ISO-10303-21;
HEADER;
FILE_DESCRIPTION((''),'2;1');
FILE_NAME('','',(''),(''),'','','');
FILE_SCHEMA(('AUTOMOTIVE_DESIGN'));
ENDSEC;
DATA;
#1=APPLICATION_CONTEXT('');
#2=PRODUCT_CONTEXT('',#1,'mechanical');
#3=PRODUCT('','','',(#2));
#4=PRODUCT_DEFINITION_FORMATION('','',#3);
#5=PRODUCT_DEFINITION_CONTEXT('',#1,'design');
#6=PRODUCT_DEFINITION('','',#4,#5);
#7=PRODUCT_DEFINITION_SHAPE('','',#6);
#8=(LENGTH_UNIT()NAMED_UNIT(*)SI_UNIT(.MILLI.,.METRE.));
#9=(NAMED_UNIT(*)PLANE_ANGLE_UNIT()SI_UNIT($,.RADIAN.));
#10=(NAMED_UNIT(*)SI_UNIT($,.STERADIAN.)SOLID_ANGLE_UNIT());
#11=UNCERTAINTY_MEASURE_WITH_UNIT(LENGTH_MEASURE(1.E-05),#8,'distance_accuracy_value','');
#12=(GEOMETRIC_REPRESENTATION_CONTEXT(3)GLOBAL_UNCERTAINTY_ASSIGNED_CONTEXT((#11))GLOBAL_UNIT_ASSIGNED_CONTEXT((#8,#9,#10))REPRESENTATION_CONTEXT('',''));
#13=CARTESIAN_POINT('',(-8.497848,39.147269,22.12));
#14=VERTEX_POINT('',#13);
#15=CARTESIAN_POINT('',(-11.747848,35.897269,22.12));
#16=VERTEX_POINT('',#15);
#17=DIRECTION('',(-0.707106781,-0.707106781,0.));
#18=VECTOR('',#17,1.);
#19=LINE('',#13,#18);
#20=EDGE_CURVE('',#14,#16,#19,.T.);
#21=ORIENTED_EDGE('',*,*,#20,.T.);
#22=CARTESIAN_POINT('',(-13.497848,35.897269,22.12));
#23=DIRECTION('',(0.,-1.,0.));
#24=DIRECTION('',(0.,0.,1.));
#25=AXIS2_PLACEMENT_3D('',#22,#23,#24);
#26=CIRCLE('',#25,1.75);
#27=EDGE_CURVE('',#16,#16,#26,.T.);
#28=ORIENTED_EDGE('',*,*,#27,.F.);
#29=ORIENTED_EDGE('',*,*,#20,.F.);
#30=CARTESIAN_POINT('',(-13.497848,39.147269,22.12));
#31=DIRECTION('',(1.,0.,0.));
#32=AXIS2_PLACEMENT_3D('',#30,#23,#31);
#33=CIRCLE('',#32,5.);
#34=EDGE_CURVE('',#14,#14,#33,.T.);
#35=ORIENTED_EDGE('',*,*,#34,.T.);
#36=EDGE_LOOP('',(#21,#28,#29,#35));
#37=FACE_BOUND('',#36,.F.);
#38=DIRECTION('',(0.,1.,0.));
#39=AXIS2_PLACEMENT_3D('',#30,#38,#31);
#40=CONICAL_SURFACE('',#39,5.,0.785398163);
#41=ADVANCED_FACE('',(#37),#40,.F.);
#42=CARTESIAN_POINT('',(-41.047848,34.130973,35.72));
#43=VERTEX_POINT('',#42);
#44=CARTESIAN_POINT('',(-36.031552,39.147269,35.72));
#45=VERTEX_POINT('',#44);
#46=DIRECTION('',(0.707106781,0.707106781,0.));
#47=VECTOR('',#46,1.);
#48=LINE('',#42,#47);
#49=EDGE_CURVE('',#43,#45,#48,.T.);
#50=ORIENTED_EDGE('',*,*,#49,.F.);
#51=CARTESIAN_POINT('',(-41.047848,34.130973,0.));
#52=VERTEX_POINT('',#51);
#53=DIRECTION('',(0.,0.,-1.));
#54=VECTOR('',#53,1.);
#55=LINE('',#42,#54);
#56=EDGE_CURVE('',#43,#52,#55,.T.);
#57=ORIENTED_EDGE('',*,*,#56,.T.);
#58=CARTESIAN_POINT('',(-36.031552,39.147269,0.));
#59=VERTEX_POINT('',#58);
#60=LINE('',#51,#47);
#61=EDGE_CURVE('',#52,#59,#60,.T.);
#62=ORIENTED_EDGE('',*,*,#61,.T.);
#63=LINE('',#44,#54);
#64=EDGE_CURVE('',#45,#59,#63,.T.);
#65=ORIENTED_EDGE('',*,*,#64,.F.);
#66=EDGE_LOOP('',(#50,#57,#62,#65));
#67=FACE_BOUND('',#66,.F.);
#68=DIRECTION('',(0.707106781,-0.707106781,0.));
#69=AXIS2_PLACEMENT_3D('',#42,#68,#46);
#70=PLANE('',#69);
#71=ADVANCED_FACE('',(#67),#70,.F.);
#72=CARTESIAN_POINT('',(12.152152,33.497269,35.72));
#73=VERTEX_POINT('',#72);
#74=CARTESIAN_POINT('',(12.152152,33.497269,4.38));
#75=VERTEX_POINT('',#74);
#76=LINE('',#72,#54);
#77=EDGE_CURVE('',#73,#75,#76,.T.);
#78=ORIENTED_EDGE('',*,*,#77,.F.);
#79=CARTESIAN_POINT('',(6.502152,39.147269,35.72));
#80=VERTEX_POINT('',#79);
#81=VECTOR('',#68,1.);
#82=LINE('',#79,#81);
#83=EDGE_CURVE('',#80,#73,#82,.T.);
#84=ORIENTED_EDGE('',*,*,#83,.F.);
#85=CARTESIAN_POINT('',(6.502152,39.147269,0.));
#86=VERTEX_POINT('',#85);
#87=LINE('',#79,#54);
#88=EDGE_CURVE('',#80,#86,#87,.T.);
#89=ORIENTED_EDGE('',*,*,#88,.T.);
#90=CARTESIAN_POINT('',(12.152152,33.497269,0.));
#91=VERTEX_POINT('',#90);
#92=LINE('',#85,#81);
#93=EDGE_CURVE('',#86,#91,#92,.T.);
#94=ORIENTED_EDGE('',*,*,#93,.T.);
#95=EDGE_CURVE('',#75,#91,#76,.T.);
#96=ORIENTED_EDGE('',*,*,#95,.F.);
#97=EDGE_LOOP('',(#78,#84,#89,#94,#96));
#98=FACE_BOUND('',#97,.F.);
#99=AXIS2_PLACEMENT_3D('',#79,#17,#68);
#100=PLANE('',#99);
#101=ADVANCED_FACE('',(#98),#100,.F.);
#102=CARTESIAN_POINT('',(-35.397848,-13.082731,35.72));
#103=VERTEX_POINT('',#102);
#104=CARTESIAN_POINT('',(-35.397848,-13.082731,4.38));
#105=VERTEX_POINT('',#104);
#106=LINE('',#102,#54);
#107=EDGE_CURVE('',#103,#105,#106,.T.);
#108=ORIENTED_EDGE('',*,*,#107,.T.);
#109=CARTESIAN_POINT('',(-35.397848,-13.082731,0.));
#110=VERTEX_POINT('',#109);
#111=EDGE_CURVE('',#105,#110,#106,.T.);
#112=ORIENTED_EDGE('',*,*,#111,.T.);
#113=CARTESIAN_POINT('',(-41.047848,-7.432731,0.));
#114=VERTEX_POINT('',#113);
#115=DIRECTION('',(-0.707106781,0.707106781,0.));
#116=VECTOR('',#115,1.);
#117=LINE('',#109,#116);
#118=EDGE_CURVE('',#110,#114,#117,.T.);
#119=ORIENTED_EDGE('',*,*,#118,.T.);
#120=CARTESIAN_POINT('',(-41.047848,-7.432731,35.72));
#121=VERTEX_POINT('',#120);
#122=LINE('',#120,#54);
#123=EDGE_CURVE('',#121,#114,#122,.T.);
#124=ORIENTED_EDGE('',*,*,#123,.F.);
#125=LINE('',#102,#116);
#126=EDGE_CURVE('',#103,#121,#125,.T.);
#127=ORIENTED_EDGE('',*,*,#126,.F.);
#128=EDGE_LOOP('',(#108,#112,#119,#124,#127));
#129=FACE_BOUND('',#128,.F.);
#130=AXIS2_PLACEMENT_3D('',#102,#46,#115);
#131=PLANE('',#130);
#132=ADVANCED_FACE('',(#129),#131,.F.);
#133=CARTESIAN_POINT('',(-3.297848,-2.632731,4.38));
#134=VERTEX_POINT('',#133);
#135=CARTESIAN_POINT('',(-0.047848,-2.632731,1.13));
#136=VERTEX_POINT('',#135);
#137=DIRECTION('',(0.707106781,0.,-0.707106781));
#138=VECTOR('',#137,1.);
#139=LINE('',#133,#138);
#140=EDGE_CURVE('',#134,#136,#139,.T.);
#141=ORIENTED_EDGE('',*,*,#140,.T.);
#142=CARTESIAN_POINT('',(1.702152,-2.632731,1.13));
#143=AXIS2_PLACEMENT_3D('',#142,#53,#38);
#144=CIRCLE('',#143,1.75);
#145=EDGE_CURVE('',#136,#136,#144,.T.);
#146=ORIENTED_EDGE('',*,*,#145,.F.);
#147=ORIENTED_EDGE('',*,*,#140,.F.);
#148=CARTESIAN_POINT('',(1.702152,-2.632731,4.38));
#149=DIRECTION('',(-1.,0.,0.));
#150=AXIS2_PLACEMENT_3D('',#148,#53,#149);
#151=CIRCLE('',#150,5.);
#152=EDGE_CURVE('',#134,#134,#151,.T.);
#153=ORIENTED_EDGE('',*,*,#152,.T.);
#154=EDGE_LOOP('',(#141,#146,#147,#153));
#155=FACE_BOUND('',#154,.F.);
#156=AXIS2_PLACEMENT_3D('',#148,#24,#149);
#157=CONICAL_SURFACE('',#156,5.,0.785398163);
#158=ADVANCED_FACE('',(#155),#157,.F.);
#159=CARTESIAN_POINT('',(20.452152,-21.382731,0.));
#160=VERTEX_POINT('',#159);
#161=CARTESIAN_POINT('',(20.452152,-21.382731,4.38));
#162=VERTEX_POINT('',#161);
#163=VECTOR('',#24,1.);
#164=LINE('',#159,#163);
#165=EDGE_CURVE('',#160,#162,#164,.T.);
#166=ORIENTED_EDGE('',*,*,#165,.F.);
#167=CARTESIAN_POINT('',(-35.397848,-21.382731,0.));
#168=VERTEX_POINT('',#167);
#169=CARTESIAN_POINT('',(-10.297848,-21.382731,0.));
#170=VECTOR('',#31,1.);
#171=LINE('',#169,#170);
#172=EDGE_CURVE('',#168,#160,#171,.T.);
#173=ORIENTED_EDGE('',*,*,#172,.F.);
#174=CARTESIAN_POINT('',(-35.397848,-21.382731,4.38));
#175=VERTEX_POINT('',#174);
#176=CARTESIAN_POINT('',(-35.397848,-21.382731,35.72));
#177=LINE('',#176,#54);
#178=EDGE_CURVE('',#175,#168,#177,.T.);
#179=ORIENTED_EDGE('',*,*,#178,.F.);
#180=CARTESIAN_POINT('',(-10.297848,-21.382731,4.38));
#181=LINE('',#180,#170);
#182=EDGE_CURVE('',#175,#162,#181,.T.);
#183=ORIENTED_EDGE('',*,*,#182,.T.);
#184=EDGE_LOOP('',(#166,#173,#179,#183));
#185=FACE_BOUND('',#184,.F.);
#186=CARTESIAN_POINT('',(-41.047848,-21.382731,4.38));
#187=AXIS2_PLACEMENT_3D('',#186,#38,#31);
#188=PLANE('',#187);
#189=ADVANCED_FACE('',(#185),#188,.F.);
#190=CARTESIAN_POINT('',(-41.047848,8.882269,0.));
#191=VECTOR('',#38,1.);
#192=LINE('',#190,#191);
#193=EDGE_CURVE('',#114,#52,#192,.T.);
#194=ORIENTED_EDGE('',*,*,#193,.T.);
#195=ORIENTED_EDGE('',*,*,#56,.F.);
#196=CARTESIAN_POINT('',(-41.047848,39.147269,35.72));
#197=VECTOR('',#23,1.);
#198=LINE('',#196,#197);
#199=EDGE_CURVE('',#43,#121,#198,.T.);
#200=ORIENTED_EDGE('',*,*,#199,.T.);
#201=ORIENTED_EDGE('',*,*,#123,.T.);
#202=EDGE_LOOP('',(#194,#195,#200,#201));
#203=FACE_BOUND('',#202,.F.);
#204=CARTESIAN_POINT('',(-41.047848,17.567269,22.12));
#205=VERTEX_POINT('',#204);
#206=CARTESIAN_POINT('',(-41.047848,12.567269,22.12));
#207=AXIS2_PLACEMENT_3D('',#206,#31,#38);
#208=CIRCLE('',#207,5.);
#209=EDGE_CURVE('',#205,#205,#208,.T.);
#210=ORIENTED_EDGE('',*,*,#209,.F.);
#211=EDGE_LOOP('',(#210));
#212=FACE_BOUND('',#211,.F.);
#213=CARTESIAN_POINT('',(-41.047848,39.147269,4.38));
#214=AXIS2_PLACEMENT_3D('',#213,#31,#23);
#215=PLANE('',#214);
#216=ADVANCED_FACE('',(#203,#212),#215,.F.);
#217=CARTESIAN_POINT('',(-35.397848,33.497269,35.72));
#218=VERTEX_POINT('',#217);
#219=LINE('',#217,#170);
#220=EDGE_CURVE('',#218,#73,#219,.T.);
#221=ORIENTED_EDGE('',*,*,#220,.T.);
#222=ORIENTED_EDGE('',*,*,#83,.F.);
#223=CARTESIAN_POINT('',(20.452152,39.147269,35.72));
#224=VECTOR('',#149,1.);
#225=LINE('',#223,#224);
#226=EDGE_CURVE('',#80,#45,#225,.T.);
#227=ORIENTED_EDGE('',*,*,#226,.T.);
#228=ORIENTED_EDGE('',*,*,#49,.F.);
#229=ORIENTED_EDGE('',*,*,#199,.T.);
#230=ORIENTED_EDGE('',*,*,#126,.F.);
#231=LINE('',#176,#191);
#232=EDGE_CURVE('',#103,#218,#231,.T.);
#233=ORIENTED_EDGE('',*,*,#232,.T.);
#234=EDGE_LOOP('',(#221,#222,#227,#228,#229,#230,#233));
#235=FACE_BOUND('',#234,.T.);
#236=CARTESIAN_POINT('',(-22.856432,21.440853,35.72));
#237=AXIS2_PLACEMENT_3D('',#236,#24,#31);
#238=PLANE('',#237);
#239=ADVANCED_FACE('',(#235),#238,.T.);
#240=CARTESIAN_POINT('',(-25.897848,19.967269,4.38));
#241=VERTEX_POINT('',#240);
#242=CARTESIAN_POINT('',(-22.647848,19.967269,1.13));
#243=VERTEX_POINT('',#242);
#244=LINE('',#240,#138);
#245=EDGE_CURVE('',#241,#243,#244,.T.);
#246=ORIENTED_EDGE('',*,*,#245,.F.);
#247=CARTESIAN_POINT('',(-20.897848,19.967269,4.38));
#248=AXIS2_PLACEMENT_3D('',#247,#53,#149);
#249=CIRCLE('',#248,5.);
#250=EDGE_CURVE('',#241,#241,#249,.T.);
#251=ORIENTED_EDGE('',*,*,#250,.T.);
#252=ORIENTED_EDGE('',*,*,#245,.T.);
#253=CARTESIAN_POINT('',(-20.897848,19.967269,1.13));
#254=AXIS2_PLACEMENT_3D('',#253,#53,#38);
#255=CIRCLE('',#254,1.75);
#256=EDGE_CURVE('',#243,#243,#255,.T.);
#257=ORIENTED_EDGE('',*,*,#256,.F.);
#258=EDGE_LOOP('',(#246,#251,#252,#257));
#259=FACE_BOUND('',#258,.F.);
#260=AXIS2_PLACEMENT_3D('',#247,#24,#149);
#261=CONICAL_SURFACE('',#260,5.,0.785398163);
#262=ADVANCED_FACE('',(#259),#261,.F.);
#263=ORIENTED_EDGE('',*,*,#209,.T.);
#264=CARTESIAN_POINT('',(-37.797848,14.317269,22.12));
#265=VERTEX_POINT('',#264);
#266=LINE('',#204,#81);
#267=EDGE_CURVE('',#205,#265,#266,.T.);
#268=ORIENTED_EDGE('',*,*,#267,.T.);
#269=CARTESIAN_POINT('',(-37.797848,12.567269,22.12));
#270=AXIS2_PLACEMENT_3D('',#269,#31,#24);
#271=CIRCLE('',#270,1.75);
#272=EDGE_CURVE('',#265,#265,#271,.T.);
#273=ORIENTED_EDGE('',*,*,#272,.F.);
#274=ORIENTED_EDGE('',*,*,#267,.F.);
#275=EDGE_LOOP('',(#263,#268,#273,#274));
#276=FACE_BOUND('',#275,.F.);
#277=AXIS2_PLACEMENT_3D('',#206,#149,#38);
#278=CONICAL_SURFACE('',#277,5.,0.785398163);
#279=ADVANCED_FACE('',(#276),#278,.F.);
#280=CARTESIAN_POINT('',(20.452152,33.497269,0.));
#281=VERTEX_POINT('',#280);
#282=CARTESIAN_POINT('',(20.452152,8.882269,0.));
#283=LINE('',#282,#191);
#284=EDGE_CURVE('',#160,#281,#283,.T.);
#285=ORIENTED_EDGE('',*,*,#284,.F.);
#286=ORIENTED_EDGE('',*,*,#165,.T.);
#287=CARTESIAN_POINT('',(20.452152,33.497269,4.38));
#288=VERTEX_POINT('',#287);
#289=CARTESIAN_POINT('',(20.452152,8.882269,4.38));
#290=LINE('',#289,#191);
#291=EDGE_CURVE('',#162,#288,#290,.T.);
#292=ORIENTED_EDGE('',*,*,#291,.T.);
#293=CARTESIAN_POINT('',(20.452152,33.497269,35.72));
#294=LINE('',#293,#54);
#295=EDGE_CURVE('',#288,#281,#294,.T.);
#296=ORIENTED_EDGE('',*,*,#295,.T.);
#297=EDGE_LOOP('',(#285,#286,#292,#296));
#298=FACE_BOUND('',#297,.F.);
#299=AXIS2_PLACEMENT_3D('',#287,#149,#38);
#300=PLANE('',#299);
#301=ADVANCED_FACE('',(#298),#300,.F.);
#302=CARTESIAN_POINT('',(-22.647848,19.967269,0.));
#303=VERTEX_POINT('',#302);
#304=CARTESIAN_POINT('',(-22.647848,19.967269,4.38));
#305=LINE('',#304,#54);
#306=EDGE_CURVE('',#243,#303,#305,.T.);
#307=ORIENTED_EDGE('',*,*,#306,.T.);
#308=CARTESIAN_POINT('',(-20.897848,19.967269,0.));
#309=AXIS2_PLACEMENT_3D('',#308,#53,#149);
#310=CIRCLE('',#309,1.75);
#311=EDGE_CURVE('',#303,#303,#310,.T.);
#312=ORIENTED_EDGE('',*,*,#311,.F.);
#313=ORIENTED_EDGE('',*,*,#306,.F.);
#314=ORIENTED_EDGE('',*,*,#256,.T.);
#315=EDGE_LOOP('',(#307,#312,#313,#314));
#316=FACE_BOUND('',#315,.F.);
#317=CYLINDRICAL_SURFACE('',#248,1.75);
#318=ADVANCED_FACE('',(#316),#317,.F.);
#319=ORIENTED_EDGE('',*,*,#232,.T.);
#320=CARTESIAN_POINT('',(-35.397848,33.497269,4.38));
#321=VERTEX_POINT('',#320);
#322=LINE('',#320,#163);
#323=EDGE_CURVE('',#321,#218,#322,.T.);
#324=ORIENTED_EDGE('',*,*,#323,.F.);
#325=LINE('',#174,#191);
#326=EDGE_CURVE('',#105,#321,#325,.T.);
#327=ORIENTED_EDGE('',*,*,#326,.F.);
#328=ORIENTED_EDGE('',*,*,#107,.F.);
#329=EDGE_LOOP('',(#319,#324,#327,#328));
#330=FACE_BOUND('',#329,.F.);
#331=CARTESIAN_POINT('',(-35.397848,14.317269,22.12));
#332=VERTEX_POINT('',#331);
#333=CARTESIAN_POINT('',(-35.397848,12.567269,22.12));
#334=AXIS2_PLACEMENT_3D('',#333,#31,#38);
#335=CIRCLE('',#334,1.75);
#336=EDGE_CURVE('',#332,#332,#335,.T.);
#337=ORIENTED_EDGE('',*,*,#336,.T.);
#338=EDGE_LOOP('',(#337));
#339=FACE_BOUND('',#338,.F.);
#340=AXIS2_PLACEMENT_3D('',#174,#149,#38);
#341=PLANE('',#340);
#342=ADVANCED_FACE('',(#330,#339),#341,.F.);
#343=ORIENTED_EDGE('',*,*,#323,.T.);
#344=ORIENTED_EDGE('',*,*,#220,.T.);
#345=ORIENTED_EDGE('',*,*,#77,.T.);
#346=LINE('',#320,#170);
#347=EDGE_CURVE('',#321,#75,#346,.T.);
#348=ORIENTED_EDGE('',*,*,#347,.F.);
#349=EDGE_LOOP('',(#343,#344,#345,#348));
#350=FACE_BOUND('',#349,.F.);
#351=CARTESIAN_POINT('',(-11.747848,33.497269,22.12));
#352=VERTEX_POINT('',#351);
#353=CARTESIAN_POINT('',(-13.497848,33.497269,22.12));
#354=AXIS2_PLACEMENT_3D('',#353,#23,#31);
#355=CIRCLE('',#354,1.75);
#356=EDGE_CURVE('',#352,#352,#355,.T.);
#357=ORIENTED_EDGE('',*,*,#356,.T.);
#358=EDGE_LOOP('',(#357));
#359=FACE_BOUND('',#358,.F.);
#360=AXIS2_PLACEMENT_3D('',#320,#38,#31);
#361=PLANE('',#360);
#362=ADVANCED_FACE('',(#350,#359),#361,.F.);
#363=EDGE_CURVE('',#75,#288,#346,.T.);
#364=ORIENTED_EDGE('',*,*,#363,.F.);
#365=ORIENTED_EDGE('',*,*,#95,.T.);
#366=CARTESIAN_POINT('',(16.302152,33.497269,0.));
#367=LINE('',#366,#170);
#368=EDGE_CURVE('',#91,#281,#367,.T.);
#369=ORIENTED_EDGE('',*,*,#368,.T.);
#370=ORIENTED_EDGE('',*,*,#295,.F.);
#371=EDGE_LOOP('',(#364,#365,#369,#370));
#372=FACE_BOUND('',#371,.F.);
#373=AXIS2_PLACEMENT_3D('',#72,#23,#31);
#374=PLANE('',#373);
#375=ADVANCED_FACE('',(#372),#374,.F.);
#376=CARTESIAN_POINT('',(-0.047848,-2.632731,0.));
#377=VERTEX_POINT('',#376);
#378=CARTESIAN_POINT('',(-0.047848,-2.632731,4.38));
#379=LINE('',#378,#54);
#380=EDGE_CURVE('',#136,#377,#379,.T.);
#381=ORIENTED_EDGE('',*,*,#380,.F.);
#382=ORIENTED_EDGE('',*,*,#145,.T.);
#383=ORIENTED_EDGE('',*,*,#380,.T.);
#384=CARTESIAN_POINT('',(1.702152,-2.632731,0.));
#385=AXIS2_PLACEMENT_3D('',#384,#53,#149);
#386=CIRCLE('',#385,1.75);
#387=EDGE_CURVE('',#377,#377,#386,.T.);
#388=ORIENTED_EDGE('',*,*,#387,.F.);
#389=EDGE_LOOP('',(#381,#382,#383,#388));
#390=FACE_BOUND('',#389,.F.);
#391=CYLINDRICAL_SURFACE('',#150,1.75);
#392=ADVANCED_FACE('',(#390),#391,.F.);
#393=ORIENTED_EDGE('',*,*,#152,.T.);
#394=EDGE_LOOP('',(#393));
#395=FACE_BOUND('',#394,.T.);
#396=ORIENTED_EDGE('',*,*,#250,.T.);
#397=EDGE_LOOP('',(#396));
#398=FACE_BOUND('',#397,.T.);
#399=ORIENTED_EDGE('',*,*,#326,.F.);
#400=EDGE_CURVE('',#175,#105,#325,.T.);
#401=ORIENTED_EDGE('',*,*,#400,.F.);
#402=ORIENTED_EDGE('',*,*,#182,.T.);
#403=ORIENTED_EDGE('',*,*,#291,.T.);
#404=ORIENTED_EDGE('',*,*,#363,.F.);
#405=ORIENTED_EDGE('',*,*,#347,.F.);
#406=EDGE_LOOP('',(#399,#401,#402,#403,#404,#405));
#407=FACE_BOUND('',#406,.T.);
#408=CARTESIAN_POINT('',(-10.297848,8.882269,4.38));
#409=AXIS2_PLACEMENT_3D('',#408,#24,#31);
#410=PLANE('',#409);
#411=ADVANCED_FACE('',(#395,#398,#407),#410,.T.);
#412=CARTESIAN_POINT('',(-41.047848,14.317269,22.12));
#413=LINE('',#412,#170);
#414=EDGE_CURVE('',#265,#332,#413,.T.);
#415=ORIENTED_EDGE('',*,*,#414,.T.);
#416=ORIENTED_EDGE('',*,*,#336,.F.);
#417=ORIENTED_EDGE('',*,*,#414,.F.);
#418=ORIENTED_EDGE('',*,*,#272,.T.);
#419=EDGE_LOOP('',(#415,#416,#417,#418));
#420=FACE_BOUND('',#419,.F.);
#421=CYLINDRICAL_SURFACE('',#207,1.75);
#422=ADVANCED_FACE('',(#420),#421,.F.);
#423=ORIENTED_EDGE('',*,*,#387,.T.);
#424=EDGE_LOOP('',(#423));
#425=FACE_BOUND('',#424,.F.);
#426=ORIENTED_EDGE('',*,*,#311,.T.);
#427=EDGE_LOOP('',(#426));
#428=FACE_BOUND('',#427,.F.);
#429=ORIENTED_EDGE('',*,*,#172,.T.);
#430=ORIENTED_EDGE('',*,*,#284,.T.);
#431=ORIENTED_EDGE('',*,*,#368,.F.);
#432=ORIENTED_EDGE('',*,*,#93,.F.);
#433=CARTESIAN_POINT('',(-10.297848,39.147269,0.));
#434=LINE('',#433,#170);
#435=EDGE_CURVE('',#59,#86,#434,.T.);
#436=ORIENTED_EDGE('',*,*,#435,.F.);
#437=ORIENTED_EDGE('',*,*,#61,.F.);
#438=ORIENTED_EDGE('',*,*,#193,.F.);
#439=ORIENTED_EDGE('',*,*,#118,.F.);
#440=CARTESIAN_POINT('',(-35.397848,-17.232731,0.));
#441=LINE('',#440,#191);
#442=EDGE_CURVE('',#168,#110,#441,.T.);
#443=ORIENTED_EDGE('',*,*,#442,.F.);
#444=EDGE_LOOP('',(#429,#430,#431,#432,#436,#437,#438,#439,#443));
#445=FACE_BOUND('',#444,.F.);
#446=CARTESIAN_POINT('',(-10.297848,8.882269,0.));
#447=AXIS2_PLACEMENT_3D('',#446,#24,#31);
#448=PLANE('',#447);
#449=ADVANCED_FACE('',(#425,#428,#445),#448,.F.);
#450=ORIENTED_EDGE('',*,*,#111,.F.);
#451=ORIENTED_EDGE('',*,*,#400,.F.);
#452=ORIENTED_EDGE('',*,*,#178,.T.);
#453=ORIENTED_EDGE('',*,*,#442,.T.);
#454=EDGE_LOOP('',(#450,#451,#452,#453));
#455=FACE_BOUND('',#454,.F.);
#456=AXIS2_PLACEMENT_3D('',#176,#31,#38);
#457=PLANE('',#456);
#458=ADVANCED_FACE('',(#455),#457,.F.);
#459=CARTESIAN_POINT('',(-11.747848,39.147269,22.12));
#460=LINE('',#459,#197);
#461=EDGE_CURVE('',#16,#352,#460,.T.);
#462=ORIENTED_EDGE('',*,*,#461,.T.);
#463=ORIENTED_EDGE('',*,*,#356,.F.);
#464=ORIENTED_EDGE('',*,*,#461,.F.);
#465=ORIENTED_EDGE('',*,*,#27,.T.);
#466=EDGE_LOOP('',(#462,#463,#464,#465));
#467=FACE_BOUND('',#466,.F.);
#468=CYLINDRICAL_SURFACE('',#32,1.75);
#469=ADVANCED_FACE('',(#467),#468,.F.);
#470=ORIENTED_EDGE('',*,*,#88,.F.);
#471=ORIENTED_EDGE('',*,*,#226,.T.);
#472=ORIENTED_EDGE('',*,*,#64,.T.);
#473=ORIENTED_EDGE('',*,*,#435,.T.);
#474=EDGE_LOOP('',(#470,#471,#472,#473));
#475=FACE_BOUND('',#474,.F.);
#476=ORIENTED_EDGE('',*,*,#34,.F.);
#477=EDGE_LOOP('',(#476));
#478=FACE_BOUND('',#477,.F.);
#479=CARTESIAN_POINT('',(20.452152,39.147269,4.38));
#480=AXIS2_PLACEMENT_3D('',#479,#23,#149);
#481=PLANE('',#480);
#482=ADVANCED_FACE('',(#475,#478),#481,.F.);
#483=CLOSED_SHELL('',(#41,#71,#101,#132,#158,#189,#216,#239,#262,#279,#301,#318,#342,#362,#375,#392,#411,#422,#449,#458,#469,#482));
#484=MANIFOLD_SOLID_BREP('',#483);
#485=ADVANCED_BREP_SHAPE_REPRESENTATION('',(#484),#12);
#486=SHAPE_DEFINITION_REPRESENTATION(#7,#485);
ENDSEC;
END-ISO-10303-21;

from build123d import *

# Parameters (mm, degrees)
F0_W            = 61.5
F0_H            = 60.53
F1_DEPTH        = 4.38
F3_DEPTH        = 31.34
F4_W            = 5.65
F4_H            = 8.3
F4_W_2          = 8.3
F4_H_2          = 5.65
F5_DEPTH        = 35.72
F7_DEPTH        = 35.72
F9_DEPTH        = 35.72
F11_D           = 3.5
F11_CSINK_D     = 10
F11_CSINK_ANGLE = 90
F13_D           = 3.5
F13_CSINK_D     = 10
F13_CSINK_ANGLE = 90
F15_D           = 3.5
F15_CSINK_D     = 10
F15_CSINK_ANGLE = 90
F17_D           = 3.5
F17_CSINK_D     = 10
F17_CSINK_ANGLE = 90


with BuildPart() as f1:
    # F0 (on Top) → F1 (new body)
    with BuildSketch(Plane.XY):
        with Locations((-10.297848, 8.882269)):
            Rectangle(F0_W, F0_H)
    extrude(amount=F1_DEPTH)

    # F2 (on face) → F3 (join)
    with BuildSketch(Plane.XY.offset(4.38)):
        Polygon((-41.047848, 39.147269), (-41.047848, -21.382731), (-35.397848, -21.382731), (-35.397848, 33.497269), (20.452152, 33.497269), (20.452152, 39.147269), (-35.397848, 39.147269), align=None)
    extrude(amount=F3_DEPTH)

    # F4 (on face) → F5 (cut, through all)
    with BuildSketch(Plane.XY.offset(35.72)):
        with Locations((-38.222848, -17.232731)):
            Rectangle(F4_W, F4_H)
        with Locations((16.302152, 36.322269)):
            Rectangle(F4_W_2, F4_H_2)
    extrude(amount=-F5_DEPTH, mode=Mode.SUBTRACT)

    # F6 (on face) → F7 (cut, through all)
    with BuildSketch(Plane.XY.offset(35.72)):
        Polygon((-41.047848, -13.082731), (-35.397848, -13.082731), (-41.047848, -7.432731), align=None)
        Polygon((6.502152, 39.147269), (12.152152, 33.497269), (12.152152, 39.147269), align=None)
    extrude(amount=-F7_DEPTH, mode=Mode.SUBTRACT)

    # F8 (on face) → F9 (cut, through all)
    with BuildSketch(Plane.XY.offset(35.72)):
        Polygon((-41.047848, 34.130973), (-36.031552, 39.147269), (-41.047848, 39.147269), align=None)
    extrude(amount=-F9_DEPTH, mode=Mode.SUBTRACT)

    # F11 (through all)
    with Locations(Plane.XY.offset(4.38)):
        with Locations((1.702152, -2.632731)):
            CounterSinkHole(F11_D / 2, F11_CSINK_D / 2, counter_sink_angle=F11_CSINK_ANGLE)

    # F13 (through all)
    with Locations(Plane.XY.offset(4.38)):
        with Locations((-20.897848, 19.967269)):
            CounterSinkHole(F13_D / 2, F13_CSINK_D / 2, counter_sink_angle=F13_CSINK_ANGLE)

    # F15 (through all)
    with Locations(Plane(origin=(0, 39.147269, 0), x_dir=(-1, 0, 0), z_dir=(0, 1, 0))):
        with Locations((13.497848, 22.12)):
            CounterSinkHole(F15_D / 2, F15_CSINK_D / 2, counter_sink_angle=F15_CSINK_ANGLE)

    # F17 (through all)
    with Locations(Plane(origin=(-41.047848, 0, 0), x_dir=(0, -1, 0), z_dir=(-1, 0, 0))):
        with Locations((-12.567269, 22.12)):
            CounterSinkHole(F17_D / 2, F17_CSINK_D / 2, counter_sink_angle=F17_CSINK_ANGLE)


solid = f1.part
